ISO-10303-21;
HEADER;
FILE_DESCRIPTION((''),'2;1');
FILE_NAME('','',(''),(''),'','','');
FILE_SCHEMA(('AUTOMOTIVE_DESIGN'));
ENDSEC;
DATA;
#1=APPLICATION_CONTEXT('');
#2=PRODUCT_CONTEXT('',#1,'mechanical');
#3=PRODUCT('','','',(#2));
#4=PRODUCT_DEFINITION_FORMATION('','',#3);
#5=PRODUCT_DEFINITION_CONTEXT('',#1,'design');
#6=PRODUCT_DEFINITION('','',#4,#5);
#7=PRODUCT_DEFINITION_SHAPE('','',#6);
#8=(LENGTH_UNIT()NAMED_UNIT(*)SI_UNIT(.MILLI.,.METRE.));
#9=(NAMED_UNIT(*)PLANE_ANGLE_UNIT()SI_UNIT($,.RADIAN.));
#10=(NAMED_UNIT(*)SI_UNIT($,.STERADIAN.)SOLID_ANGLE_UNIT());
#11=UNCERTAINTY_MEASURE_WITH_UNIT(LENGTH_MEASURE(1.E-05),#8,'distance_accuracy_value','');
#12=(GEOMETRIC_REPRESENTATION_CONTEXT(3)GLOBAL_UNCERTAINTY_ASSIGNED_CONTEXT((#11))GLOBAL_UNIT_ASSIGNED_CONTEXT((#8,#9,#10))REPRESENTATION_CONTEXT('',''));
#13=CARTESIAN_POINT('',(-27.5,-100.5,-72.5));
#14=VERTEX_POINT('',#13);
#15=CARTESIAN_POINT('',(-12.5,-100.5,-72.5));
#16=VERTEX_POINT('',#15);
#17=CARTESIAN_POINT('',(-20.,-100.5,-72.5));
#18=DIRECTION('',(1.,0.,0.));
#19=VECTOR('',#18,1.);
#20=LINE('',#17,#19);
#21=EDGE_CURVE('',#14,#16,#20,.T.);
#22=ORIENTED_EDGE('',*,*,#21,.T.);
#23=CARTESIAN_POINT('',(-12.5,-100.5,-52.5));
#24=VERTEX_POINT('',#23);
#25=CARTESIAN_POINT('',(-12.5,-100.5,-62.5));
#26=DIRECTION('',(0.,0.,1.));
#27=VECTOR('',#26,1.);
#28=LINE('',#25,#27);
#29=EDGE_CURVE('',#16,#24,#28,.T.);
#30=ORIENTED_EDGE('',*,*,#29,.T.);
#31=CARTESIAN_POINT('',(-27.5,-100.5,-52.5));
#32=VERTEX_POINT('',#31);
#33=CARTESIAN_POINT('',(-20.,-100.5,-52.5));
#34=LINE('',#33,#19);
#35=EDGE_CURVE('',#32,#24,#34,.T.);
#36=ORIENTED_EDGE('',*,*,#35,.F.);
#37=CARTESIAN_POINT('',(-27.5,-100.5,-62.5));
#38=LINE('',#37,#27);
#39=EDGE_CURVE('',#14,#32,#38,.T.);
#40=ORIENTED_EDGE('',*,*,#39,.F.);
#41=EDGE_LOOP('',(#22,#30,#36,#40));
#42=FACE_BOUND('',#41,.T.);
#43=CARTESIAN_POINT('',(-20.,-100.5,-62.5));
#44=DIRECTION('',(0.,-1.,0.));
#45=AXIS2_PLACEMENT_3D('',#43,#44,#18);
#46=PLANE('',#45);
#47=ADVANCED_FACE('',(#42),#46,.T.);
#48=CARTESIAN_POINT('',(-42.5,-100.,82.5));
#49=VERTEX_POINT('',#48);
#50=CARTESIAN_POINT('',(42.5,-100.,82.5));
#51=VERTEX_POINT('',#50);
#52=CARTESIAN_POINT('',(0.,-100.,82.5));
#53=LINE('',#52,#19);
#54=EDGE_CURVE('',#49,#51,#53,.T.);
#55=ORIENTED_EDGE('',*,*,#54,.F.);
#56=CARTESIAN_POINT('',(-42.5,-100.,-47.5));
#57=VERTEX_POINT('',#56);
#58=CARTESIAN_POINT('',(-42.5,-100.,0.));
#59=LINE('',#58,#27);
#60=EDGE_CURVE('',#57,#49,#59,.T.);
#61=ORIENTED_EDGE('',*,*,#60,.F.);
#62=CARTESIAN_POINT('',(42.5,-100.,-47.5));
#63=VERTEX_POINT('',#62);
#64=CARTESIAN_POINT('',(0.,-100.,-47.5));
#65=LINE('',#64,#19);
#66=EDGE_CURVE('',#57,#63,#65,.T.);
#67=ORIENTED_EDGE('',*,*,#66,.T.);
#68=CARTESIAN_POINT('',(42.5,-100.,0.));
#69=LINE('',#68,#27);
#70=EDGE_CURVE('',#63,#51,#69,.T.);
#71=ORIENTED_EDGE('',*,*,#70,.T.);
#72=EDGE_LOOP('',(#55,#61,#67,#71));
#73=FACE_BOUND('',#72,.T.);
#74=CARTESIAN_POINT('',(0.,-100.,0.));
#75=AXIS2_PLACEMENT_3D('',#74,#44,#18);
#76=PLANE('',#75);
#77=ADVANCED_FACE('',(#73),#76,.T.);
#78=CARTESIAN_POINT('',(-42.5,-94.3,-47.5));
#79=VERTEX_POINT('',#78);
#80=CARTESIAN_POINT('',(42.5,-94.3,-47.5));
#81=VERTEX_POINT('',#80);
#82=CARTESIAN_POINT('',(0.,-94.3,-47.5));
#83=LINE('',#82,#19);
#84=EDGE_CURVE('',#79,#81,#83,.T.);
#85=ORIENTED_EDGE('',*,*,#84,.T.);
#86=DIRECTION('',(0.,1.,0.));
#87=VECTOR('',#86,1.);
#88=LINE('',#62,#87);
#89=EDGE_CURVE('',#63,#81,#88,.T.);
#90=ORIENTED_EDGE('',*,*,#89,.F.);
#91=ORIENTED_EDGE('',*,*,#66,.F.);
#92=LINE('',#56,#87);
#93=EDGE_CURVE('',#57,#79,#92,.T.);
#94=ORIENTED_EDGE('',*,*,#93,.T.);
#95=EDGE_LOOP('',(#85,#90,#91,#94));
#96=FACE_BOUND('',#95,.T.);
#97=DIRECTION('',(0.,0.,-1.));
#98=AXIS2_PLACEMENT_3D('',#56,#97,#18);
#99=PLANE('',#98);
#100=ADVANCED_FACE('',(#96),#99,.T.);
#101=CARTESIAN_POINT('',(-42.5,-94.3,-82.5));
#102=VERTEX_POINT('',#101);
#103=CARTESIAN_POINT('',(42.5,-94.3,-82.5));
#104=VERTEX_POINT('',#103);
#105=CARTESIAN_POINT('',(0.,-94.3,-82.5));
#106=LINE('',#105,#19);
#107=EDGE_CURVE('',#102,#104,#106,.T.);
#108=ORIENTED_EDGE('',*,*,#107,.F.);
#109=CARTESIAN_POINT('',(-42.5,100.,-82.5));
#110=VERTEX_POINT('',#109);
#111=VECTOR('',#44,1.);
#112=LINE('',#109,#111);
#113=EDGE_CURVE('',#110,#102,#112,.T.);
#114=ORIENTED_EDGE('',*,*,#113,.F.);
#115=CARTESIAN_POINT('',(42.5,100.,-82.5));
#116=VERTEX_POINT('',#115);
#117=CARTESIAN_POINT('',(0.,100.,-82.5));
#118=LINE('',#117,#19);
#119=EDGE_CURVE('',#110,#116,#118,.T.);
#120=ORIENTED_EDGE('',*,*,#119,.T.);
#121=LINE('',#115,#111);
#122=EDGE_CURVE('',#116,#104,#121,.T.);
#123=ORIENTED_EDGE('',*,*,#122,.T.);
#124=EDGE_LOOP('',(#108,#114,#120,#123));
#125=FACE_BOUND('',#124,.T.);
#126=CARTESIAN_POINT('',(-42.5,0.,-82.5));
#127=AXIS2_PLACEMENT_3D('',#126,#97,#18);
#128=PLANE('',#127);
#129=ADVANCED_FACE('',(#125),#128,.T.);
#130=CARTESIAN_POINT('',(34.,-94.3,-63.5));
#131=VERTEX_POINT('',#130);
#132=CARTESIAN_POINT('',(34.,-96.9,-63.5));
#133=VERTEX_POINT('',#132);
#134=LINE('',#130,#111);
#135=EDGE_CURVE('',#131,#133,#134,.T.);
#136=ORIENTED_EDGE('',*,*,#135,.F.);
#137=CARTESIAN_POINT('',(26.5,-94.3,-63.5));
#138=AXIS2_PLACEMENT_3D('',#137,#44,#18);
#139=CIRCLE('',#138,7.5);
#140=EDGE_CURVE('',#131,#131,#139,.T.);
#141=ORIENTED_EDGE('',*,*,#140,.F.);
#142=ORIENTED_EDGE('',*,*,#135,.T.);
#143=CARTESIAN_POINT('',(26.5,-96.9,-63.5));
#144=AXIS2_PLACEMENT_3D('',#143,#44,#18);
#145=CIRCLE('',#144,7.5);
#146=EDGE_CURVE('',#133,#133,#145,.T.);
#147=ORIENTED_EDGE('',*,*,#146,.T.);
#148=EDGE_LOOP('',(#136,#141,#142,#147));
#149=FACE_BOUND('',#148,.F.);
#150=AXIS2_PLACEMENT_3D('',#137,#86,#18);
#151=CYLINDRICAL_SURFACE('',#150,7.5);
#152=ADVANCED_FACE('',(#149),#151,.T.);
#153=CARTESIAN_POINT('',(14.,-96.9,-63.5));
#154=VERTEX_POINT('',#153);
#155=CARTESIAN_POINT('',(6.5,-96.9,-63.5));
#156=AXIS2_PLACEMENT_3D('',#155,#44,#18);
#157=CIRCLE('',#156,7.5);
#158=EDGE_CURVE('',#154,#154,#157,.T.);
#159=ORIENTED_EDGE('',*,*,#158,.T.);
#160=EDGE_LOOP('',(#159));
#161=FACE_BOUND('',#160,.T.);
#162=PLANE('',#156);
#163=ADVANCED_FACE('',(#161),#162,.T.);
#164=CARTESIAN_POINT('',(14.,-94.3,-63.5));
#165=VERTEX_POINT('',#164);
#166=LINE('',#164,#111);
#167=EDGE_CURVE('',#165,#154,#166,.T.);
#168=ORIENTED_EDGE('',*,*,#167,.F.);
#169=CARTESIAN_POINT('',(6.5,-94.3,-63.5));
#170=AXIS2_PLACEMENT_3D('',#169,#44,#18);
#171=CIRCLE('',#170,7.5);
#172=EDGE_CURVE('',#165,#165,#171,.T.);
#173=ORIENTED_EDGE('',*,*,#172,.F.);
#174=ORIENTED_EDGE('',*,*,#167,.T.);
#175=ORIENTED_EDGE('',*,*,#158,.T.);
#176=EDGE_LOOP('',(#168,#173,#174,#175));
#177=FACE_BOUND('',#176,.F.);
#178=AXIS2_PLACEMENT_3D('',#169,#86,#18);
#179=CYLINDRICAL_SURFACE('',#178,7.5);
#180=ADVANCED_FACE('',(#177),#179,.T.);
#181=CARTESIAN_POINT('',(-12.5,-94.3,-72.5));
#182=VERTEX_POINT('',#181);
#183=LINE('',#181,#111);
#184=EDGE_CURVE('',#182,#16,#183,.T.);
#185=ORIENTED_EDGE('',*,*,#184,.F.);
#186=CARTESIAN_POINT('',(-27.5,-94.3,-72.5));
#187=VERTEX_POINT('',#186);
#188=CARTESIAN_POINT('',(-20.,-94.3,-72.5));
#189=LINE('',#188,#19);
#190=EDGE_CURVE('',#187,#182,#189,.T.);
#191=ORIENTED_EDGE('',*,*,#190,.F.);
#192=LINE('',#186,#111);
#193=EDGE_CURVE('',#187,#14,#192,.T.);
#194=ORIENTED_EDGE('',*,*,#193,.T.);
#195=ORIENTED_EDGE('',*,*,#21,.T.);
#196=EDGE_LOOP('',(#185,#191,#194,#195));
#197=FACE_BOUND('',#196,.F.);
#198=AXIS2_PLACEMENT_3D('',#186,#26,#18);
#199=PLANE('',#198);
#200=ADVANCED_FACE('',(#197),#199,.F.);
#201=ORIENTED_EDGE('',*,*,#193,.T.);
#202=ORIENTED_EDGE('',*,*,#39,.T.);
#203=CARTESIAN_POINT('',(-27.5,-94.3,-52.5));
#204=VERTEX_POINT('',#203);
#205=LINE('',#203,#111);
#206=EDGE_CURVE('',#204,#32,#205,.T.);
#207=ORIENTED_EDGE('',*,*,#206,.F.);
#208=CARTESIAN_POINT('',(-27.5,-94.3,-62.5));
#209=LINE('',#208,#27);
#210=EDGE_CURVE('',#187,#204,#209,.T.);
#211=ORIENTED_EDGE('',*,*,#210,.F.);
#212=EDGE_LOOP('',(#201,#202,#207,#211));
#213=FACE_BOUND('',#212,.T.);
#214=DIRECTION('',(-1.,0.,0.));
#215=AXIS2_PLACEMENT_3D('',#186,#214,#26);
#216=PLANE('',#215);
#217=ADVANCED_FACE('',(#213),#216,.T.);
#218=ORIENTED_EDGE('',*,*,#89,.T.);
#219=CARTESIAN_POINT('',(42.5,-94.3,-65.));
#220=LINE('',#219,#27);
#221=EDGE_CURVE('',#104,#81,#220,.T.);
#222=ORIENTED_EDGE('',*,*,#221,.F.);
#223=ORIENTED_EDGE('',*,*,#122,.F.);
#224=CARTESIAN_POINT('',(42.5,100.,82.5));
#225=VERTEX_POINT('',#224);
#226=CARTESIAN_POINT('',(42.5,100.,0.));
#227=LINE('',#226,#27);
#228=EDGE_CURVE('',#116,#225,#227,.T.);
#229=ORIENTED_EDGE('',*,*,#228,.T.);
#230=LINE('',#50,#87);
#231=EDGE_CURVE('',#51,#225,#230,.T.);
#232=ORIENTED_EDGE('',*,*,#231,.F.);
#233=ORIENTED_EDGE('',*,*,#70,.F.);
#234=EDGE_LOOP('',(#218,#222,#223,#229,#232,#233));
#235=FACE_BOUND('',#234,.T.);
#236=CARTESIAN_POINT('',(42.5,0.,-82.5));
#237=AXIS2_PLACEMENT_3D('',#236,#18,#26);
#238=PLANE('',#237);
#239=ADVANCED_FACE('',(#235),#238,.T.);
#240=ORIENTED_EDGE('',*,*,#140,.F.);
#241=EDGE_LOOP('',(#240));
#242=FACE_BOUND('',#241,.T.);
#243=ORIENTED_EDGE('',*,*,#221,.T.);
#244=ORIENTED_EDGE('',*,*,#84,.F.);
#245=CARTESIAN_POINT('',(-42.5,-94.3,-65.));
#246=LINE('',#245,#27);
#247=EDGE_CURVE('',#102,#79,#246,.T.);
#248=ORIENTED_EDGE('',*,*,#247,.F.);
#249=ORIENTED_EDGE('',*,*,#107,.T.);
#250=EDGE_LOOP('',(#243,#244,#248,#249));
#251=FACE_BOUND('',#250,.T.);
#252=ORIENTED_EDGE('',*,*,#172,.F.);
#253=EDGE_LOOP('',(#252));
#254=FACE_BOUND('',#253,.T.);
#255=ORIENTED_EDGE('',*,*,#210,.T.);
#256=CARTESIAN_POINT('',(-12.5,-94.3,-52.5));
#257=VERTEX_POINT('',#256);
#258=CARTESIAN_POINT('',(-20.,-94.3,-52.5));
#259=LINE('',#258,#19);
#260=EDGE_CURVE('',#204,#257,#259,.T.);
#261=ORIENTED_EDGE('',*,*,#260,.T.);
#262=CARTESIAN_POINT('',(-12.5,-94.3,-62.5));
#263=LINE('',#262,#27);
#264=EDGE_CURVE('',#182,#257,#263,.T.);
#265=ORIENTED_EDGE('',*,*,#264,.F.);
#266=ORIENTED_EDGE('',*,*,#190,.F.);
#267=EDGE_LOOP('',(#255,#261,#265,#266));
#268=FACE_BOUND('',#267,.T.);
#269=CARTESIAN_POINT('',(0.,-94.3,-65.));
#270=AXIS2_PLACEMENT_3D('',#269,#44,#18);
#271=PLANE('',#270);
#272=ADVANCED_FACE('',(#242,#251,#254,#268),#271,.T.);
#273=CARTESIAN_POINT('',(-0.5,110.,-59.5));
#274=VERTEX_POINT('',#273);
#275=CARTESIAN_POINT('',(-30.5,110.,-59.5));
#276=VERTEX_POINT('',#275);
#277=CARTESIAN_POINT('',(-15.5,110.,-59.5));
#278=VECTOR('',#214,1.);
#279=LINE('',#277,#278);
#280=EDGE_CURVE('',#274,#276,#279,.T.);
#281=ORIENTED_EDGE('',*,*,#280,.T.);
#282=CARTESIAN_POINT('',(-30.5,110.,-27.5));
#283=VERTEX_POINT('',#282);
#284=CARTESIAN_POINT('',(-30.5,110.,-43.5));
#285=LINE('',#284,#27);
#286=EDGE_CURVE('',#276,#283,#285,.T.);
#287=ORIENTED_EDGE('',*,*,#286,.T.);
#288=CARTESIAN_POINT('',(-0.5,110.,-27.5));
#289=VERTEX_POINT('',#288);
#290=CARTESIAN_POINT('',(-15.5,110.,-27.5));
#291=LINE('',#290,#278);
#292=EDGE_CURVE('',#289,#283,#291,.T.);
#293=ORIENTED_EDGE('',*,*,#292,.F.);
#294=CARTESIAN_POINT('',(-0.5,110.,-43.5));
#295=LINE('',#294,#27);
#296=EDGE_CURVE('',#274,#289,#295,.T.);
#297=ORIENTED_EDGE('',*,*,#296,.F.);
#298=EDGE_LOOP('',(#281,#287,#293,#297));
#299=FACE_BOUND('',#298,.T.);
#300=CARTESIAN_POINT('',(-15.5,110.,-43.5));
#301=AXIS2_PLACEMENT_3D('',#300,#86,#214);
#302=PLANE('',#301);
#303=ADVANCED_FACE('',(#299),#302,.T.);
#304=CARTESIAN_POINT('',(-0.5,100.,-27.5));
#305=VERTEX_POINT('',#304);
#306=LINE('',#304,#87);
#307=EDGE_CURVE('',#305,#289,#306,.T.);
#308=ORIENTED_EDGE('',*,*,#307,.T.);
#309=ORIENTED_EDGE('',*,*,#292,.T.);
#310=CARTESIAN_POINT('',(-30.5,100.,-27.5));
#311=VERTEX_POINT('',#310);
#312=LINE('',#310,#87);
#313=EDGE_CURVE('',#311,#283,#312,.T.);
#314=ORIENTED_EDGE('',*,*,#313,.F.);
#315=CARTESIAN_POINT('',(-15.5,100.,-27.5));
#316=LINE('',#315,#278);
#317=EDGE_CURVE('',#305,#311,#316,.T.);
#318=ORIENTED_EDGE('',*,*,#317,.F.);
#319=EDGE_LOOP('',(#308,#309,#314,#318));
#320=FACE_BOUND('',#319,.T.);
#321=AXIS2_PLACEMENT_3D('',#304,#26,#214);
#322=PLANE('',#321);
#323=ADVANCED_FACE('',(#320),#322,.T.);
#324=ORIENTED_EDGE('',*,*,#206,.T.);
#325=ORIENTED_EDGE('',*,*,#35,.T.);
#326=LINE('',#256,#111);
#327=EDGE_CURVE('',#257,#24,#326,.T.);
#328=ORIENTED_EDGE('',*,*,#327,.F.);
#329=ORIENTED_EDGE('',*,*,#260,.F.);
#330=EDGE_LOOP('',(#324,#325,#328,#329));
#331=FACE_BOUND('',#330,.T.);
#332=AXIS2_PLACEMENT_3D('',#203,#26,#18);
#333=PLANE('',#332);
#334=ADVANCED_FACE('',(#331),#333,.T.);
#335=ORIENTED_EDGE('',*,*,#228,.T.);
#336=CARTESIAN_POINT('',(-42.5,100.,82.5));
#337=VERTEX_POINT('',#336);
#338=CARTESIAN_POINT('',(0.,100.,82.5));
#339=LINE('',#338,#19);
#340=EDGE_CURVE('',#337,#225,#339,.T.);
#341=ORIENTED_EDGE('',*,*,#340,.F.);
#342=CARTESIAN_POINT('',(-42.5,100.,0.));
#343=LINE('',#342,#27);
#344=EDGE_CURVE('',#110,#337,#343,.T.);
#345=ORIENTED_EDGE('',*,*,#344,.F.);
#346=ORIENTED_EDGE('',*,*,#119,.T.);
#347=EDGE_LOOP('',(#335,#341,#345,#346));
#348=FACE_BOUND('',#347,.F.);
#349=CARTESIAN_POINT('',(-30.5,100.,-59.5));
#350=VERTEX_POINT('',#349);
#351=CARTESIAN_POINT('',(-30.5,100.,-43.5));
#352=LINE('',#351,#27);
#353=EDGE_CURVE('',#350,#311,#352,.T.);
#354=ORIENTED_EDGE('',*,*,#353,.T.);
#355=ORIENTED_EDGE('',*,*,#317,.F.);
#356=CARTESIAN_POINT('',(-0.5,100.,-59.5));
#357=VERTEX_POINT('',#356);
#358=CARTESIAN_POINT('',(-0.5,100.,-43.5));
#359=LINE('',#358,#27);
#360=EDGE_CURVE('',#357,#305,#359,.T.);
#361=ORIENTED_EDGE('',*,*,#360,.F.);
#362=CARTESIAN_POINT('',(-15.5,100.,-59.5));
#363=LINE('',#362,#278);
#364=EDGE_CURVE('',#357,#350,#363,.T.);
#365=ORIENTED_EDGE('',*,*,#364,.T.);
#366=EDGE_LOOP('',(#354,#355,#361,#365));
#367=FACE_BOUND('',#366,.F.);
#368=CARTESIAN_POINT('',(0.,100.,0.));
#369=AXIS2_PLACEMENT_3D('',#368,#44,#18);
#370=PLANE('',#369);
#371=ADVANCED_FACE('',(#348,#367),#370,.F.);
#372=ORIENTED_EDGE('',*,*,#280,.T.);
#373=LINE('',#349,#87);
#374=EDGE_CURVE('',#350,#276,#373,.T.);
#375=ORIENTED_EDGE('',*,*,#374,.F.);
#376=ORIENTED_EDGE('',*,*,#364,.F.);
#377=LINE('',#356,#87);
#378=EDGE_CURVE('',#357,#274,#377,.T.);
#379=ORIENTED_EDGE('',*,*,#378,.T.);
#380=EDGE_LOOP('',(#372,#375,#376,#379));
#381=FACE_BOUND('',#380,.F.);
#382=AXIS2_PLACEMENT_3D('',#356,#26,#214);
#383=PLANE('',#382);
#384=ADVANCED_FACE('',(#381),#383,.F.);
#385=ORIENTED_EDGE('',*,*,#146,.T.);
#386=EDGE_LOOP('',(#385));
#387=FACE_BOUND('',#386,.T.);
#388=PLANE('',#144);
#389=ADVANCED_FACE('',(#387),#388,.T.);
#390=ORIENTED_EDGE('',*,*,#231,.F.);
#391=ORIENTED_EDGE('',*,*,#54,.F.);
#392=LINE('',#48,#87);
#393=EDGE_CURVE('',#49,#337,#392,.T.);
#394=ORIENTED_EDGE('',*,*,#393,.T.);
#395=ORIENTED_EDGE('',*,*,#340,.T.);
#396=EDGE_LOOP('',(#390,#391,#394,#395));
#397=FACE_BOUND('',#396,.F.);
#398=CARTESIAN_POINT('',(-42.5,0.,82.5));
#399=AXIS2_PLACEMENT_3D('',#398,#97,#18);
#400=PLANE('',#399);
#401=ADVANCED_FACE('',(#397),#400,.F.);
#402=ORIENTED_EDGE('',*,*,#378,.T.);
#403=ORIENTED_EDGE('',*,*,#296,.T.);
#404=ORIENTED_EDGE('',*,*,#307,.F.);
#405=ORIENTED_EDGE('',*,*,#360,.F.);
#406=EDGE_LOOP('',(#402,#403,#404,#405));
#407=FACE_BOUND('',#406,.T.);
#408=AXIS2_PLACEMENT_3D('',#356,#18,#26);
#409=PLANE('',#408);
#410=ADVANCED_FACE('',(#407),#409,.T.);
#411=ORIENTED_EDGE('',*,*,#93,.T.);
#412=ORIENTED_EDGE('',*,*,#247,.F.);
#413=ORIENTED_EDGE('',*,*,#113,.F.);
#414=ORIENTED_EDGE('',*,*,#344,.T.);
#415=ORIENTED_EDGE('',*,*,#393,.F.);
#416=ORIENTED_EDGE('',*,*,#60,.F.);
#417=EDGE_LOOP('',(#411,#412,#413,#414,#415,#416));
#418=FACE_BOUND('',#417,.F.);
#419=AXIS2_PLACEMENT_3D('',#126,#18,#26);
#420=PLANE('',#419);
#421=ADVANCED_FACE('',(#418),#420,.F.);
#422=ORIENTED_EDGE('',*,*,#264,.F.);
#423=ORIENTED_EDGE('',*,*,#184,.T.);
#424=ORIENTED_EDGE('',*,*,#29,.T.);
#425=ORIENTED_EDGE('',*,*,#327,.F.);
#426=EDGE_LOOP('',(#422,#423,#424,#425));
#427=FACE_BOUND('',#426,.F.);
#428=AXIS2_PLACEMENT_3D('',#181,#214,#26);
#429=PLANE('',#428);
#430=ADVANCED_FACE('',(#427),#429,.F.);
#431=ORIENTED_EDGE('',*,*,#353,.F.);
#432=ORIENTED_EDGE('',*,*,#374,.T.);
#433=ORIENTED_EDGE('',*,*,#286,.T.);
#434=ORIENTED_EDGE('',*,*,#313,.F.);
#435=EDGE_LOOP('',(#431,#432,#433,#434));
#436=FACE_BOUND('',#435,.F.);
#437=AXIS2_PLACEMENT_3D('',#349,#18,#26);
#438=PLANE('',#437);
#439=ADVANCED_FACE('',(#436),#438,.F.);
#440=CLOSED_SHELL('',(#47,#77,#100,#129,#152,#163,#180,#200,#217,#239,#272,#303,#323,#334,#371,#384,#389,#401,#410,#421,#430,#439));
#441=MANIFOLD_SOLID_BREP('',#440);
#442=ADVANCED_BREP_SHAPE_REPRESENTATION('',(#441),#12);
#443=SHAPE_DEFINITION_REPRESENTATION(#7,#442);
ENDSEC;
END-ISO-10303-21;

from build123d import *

# Parameters (mm, degrees)
F0_W     = 85
F0_H     = 165
F1_DEPTH = 100
F2_W     = 30
F2_H     = 32
F3_DEPTH = 10
F4_W     = 85
F4_H     = 35
F5_DEPTH = 5.7
F6_R     = 7.5
F7_DEPTH = 2.6
F8_W     = 15
F8_H     = 20
F9_DEPTH = 6.2


with BuildPart() as f1:
    # F0 (on Front) → F1 (new body, symmetric)
    with BuildSketch(Plane.XZ):
        Rectangle(F0_W, F0_H)
    extrude(amount=F1_DEPTH, both=True)

    # F2 (on face) → F3 (join)
    with BuildSketch(Plane(origin=(0, 100, 0), x_dir=(-1, 0, 0), z_dir=(0, 1, 0))):
        with Locations((15.5, -43.5)):
            Rectangle(F2_W, F2_H)
    extrude(amount=F3_DEPTH)

    # F4 (on face) → F5 (cut)
    with BuildSketch(Plane.XZ.offset(100)):
        with Locations((0, -65)):
            Rectangle(F4_W, F4_H)
    extrude(amount=-F5_DEPTH, mode=Mode.SUBTRACT)

    # F6 (on face) → F7 (join)
    with BuildSketch(Plane.XZ.offset(94.3)):
        with Locations((6.5, -63.5)):
            Circle(F6_R)
        with Locations((26.5, -63.5)):
            Circle(F6_R)
    extrude(amount=F7_DEPTH)

    # F8 (on face) → F9 (join)
    with BuildSketch(Plane.XZ.offset(94.3)):
        with Locations((-20, -62.5)):
            Rectangle(F8_W, F8_H)
    extrude(amount=F9_DEPTH)


solid = f1.part
